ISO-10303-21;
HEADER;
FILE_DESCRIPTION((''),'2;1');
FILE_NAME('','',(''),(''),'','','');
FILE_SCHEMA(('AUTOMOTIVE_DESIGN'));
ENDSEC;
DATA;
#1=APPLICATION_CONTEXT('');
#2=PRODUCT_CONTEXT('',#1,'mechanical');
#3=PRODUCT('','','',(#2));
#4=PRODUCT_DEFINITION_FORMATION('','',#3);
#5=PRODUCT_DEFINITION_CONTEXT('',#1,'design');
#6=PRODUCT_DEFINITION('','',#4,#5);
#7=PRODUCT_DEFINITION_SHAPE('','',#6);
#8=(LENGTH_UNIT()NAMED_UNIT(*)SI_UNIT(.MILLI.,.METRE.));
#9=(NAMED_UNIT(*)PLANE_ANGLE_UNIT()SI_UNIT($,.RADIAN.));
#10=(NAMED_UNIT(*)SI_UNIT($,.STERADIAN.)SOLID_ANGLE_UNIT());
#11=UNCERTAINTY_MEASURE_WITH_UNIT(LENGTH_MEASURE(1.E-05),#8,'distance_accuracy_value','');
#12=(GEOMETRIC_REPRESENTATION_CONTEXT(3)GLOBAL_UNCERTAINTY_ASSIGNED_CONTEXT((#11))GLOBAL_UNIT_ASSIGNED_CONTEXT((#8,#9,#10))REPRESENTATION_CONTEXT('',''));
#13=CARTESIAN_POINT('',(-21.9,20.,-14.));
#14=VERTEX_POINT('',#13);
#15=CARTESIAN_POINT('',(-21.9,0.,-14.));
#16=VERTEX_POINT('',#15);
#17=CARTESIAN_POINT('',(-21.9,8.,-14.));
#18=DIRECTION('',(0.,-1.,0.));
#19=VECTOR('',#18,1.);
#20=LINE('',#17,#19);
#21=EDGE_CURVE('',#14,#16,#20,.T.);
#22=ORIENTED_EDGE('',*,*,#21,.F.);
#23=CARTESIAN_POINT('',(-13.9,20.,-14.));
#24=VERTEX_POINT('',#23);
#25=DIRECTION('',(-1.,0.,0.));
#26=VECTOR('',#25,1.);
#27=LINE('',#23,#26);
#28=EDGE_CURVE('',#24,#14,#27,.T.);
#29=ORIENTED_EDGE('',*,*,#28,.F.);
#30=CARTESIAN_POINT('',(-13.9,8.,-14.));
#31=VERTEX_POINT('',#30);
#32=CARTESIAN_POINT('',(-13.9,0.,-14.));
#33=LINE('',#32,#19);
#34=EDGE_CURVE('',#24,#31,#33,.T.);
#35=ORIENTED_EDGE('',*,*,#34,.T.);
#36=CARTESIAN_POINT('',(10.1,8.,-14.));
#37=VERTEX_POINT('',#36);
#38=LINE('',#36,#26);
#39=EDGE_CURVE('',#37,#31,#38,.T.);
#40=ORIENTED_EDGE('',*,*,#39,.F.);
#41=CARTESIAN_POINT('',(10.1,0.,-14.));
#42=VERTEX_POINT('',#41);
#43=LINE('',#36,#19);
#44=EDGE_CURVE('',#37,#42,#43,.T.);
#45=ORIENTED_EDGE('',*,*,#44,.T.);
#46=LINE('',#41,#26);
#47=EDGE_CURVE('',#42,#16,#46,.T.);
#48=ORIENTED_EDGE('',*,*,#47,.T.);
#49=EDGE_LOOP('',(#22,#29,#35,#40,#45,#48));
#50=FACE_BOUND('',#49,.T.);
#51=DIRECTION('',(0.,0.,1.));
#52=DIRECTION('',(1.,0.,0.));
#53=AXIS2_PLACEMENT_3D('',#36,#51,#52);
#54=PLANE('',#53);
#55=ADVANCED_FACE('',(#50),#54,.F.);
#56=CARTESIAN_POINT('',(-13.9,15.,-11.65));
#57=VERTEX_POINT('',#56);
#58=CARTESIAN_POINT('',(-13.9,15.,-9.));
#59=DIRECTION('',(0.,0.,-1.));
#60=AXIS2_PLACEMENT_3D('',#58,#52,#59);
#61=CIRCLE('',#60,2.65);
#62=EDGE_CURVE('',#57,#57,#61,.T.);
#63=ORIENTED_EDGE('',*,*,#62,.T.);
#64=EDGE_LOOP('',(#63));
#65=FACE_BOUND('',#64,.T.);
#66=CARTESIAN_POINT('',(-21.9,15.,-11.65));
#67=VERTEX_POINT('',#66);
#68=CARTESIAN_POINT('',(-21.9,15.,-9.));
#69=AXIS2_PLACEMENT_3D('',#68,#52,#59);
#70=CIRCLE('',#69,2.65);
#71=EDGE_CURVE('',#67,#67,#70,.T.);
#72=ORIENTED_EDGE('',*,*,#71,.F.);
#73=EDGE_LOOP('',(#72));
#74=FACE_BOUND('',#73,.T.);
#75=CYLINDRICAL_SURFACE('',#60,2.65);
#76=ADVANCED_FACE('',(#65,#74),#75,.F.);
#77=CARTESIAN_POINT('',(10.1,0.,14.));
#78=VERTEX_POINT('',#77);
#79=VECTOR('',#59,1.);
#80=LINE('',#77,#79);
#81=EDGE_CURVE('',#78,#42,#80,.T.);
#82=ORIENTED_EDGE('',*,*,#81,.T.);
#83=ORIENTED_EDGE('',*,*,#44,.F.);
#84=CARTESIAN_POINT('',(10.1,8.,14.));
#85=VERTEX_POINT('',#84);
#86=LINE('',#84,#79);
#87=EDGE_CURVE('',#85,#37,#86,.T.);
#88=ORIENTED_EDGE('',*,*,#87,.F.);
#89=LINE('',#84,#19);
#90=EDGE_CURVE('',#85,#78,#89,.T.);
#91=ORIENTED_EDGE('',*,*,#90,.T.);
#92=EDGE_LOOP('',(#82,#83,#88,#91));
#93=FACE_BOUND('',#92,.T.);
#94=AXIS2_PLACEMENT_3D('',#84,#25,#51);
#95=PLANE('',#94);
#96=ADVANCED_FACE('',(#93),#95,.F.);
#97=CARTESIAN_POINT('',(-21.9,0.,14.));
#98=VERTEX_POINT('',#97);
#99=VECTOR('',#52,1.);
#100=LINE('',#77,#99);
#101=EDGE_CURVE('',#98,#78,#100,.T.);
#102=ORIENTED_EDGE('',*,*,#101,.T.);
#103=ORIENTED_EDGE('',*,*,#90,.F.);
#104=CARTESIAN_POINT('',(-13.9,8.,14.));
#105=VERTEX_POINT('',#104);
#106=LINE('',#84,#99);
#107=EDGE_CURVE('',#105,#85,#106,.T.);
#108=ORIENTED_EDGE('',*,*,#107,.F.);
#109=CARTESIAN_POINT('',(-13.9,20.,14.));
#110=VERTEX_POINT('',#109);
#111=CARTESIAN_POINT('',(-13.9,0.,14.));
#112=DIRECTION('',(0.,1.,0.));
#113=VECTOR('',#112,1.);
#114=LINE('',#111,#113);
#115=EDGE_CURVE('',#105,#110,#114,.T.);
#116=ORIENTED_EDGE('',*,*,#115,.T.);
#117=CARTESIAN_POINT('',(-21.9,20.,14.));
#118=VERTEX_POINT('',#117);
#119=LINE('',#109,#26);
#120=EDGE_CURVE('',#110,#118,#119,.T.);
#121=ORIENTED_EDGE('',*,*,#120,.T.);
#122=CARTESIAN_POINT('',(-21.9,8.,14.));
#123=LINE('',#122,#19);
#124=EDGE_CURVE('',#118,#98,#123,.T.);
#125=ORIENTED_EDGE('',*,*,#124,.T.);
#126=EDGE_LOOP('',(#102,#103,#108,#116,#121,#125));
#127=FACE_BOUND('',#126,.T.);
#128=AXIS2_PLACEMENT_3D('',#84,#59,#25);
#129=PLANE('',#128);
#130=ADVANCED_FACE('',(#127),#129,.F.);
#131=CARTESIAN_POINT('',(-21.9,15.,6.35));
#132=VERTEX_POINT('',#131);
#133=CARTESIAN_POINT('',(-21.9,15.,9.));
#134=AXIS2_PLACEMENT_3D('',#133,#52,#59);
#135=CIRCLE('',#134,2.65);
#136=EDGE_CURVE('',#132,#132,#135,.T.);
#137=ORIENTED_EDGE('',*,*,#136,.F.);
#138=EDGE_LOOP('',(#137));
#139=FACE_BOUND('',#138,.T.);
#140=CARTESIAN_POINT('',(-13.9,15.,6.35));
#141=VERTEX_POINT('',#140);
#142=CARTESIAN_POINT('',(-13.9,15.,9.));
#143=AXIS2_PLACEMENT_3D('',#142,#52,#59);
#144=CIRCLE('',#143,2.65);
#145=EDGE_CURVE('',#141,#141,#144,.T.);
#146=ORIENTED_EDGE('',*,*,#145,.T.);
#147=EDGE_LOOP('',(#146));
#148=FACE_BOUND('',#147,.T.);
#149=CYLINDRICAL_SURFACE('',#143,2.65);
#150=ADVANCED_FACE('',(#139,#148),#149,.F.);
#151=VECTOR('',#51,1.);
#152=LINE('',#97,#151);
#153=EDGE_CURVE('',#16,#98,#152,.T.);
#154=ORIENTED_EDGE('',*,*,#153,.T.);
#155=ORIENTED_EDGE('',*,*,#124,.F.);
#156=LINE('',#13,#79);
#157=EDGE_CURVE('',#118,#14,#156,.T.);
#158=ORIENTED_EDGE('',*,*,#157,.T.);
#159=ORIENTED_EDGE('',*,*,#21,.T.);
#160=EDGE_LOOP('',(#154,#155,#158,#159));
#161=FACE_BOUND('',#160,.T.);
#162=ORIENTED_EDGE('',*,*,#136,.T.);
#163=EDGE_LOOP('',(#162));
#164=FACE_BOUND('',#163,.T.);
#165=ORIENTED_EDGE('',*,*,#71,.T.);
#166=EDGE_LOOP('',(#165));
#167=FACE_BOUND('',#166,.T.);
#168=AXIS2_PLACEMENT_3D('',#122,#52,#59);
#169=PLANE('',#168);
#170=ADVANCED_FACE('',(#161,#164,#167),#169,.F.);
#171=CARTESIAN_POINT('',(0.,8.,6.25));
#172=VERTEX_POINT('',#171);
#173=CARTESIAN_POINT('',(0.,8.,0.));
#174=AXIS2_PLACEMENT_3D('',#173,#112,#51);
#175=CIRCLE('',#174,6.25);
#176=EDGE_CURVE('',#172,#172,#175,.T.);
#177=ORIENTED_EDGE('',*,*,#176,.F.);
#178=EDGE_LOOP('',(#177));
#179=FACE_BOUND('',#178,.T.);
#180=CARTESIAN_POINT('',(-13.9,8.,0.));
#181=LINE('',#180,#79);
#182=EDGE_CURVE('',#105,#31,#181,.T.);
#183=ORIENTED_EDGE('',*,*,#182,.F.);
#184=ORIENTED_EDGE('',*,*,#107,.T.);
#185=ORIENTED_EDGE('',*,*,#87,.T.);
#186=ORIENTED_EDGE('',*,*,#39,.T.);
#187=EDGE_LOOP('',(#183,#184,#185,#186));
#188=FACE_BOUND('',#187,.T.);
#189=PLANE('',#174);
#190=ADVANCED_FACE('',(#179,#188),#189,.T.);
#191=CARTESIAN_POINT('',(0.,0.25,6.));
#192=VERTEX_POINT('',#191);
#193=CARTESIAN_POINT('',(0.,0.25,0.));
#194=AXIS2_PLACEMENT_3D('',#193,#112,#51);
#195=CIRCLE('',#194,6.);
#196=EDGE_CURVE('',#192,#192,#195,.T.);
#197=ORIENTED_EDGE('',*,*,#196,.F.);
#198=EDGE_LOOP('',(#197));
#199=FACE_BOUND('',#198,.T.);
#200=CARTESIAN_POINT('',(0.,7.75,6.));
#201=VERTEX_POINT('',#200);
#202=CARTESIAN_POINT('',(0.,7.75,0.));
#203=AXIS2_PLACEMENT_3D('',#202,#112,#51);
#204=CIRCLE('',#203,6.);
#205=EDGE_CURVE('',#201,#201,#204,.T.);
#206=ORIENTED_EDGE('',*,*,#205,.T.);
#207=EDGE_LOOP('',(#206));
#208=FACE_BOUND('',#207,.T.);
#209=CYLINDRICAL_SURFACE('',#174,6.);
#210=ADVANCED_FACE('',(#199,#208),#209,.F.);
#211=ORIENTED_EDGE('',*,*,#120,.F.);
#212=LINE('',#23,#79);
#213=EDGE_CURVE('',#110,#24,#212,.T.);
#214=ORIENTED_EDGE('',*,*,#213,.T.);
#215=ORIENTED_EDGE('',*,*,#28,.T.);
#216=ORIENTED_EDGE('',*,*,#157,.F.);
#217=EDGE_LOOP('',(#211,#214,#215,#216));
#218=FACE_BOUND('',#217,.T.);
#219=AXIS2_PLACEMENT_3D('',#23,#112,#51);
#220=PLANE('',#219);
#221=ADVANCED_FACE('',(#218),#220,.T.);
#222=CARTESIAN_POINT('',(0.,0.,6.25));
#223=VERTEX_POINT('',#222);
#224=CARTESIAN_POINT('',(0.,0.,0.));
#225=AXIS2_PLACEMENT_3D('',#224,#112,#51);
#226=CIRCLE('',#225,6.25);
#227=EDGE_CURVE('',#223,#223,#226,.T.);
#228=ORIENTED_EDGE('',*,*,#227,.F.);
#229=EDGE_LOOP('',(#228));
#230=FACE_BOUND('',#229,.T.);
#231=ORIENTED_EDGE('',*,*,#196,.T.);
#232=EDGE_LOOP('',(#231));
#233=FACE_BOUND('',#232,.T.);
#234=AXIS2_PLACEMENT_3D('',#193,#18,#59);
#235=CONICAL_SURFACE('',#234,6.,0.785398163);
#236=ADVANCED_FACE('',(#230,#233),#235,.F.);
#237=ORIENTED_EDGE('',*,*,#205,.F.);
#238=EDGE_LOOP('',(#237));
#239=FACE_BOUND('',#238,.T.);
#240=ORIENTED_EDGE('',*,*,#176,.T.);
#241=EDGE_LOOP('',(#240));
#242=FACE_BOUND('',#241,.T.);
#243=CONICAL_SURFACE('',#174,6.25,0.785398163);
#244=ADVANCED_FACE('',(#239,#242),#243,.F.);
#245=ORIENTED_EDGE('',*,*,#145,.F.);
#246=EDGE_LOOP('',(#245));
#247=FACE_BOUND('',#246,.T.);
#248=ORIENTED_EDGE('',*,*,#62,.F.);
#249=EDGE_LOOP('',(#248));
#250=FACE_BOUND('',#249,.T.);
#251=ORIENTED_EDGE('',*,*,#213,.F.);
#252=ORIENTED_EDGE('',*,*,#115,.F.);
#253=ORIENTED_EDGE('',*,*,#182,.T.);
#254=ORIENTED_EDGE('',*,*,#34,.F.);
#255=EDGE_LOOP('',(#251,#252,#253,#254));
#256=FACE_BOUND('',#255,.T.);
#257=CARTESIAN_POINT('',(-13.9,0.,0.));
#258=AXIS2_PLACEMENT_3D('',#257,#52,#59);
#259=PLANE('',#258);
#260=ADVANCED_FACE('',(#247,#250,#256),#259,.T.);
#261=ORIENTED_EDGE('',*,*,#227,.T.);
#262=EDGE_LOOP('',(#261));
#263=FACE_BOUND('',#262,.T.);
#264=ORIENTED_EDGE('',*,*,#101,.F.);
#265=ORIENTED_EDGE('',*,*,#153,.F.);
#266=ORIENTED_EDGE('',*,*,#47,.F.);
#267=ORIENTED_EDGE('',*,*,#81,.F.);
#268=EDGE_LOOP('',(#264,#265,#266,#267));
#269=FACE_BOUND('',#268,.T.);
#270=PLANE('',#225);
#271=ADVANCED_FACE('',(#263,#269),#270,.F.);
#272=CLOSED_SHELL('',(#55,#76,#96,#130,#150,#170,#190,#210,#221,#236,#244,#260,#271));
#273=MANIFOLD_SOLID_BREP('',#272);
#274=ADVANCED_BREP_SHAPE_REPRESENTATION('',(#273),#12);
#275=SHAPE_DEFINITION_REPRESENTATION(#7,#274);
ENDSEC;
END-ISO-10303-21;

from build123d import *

# Parameters (mm, degrees)
SKETCH1_W            = 32
SKETCH1_H            = 28
BOSS_EXTRUDE1_DEPTH  = 8
SKETCH4_W            = 28
SKETCH4_H            = 20
BOSS_EXTRUDE2_DEPTH  = 8
M5_CLEARANCE_HOLE1_D = 5.3


with BuildPart() as part:
    # Sketch1 → Boss-Extrude1 (new body)
    with BuildSketch(Plane(origin=(0, 0, 0), x_dir=(1, 0, 0), z_dir=(0, 1, 0))):
        with Locations((-5.9, 0)):
            Rectangle(SKETCH1_W, SKETCH1_H)
    extrude(amount=BOSS_EXTRUDE1_DEPTH)

    # Sketch3 → Ø12.0 (12) Diameter Hole1 (revolve, cut)
    with BuildSketch(Plane(origin=(0, 8, 0), x_dir=(0, 0, 1), z_dir=(1, 0, 0))):
        Polygon((0, 0), (0, 8), (6.25, 8), (6, 7.75), (6, 0.25), (6.25, 0), align=None)
    revolve(axis=Axis((0, 14.35, 0), (0, -1, 0)), mode=Mode.SUBTRACT)

    # Sketch4 → Boss-Extrude2 (add)
    with BuildSketch(Plane.ZY.offset(21.9)):
        with Locations((0, 10)):
            Rectangle(SKETCH4_W, SKETCH4_H)
    extrude(amount=-BOSS_EXTRUDE2_DEPTH)

    # M5 Clearance Hole1 (through all)
    with Locations(Plane(origin=(-13.9, 0, 0), x_dir=(0, 0, -1), z_dir=(1, 0, 0))):
        with Locations((-9, 15), (9, 15)):
            Hole(M5_CLEARANCE_HOLE1_D / 2)


solid = part.part
